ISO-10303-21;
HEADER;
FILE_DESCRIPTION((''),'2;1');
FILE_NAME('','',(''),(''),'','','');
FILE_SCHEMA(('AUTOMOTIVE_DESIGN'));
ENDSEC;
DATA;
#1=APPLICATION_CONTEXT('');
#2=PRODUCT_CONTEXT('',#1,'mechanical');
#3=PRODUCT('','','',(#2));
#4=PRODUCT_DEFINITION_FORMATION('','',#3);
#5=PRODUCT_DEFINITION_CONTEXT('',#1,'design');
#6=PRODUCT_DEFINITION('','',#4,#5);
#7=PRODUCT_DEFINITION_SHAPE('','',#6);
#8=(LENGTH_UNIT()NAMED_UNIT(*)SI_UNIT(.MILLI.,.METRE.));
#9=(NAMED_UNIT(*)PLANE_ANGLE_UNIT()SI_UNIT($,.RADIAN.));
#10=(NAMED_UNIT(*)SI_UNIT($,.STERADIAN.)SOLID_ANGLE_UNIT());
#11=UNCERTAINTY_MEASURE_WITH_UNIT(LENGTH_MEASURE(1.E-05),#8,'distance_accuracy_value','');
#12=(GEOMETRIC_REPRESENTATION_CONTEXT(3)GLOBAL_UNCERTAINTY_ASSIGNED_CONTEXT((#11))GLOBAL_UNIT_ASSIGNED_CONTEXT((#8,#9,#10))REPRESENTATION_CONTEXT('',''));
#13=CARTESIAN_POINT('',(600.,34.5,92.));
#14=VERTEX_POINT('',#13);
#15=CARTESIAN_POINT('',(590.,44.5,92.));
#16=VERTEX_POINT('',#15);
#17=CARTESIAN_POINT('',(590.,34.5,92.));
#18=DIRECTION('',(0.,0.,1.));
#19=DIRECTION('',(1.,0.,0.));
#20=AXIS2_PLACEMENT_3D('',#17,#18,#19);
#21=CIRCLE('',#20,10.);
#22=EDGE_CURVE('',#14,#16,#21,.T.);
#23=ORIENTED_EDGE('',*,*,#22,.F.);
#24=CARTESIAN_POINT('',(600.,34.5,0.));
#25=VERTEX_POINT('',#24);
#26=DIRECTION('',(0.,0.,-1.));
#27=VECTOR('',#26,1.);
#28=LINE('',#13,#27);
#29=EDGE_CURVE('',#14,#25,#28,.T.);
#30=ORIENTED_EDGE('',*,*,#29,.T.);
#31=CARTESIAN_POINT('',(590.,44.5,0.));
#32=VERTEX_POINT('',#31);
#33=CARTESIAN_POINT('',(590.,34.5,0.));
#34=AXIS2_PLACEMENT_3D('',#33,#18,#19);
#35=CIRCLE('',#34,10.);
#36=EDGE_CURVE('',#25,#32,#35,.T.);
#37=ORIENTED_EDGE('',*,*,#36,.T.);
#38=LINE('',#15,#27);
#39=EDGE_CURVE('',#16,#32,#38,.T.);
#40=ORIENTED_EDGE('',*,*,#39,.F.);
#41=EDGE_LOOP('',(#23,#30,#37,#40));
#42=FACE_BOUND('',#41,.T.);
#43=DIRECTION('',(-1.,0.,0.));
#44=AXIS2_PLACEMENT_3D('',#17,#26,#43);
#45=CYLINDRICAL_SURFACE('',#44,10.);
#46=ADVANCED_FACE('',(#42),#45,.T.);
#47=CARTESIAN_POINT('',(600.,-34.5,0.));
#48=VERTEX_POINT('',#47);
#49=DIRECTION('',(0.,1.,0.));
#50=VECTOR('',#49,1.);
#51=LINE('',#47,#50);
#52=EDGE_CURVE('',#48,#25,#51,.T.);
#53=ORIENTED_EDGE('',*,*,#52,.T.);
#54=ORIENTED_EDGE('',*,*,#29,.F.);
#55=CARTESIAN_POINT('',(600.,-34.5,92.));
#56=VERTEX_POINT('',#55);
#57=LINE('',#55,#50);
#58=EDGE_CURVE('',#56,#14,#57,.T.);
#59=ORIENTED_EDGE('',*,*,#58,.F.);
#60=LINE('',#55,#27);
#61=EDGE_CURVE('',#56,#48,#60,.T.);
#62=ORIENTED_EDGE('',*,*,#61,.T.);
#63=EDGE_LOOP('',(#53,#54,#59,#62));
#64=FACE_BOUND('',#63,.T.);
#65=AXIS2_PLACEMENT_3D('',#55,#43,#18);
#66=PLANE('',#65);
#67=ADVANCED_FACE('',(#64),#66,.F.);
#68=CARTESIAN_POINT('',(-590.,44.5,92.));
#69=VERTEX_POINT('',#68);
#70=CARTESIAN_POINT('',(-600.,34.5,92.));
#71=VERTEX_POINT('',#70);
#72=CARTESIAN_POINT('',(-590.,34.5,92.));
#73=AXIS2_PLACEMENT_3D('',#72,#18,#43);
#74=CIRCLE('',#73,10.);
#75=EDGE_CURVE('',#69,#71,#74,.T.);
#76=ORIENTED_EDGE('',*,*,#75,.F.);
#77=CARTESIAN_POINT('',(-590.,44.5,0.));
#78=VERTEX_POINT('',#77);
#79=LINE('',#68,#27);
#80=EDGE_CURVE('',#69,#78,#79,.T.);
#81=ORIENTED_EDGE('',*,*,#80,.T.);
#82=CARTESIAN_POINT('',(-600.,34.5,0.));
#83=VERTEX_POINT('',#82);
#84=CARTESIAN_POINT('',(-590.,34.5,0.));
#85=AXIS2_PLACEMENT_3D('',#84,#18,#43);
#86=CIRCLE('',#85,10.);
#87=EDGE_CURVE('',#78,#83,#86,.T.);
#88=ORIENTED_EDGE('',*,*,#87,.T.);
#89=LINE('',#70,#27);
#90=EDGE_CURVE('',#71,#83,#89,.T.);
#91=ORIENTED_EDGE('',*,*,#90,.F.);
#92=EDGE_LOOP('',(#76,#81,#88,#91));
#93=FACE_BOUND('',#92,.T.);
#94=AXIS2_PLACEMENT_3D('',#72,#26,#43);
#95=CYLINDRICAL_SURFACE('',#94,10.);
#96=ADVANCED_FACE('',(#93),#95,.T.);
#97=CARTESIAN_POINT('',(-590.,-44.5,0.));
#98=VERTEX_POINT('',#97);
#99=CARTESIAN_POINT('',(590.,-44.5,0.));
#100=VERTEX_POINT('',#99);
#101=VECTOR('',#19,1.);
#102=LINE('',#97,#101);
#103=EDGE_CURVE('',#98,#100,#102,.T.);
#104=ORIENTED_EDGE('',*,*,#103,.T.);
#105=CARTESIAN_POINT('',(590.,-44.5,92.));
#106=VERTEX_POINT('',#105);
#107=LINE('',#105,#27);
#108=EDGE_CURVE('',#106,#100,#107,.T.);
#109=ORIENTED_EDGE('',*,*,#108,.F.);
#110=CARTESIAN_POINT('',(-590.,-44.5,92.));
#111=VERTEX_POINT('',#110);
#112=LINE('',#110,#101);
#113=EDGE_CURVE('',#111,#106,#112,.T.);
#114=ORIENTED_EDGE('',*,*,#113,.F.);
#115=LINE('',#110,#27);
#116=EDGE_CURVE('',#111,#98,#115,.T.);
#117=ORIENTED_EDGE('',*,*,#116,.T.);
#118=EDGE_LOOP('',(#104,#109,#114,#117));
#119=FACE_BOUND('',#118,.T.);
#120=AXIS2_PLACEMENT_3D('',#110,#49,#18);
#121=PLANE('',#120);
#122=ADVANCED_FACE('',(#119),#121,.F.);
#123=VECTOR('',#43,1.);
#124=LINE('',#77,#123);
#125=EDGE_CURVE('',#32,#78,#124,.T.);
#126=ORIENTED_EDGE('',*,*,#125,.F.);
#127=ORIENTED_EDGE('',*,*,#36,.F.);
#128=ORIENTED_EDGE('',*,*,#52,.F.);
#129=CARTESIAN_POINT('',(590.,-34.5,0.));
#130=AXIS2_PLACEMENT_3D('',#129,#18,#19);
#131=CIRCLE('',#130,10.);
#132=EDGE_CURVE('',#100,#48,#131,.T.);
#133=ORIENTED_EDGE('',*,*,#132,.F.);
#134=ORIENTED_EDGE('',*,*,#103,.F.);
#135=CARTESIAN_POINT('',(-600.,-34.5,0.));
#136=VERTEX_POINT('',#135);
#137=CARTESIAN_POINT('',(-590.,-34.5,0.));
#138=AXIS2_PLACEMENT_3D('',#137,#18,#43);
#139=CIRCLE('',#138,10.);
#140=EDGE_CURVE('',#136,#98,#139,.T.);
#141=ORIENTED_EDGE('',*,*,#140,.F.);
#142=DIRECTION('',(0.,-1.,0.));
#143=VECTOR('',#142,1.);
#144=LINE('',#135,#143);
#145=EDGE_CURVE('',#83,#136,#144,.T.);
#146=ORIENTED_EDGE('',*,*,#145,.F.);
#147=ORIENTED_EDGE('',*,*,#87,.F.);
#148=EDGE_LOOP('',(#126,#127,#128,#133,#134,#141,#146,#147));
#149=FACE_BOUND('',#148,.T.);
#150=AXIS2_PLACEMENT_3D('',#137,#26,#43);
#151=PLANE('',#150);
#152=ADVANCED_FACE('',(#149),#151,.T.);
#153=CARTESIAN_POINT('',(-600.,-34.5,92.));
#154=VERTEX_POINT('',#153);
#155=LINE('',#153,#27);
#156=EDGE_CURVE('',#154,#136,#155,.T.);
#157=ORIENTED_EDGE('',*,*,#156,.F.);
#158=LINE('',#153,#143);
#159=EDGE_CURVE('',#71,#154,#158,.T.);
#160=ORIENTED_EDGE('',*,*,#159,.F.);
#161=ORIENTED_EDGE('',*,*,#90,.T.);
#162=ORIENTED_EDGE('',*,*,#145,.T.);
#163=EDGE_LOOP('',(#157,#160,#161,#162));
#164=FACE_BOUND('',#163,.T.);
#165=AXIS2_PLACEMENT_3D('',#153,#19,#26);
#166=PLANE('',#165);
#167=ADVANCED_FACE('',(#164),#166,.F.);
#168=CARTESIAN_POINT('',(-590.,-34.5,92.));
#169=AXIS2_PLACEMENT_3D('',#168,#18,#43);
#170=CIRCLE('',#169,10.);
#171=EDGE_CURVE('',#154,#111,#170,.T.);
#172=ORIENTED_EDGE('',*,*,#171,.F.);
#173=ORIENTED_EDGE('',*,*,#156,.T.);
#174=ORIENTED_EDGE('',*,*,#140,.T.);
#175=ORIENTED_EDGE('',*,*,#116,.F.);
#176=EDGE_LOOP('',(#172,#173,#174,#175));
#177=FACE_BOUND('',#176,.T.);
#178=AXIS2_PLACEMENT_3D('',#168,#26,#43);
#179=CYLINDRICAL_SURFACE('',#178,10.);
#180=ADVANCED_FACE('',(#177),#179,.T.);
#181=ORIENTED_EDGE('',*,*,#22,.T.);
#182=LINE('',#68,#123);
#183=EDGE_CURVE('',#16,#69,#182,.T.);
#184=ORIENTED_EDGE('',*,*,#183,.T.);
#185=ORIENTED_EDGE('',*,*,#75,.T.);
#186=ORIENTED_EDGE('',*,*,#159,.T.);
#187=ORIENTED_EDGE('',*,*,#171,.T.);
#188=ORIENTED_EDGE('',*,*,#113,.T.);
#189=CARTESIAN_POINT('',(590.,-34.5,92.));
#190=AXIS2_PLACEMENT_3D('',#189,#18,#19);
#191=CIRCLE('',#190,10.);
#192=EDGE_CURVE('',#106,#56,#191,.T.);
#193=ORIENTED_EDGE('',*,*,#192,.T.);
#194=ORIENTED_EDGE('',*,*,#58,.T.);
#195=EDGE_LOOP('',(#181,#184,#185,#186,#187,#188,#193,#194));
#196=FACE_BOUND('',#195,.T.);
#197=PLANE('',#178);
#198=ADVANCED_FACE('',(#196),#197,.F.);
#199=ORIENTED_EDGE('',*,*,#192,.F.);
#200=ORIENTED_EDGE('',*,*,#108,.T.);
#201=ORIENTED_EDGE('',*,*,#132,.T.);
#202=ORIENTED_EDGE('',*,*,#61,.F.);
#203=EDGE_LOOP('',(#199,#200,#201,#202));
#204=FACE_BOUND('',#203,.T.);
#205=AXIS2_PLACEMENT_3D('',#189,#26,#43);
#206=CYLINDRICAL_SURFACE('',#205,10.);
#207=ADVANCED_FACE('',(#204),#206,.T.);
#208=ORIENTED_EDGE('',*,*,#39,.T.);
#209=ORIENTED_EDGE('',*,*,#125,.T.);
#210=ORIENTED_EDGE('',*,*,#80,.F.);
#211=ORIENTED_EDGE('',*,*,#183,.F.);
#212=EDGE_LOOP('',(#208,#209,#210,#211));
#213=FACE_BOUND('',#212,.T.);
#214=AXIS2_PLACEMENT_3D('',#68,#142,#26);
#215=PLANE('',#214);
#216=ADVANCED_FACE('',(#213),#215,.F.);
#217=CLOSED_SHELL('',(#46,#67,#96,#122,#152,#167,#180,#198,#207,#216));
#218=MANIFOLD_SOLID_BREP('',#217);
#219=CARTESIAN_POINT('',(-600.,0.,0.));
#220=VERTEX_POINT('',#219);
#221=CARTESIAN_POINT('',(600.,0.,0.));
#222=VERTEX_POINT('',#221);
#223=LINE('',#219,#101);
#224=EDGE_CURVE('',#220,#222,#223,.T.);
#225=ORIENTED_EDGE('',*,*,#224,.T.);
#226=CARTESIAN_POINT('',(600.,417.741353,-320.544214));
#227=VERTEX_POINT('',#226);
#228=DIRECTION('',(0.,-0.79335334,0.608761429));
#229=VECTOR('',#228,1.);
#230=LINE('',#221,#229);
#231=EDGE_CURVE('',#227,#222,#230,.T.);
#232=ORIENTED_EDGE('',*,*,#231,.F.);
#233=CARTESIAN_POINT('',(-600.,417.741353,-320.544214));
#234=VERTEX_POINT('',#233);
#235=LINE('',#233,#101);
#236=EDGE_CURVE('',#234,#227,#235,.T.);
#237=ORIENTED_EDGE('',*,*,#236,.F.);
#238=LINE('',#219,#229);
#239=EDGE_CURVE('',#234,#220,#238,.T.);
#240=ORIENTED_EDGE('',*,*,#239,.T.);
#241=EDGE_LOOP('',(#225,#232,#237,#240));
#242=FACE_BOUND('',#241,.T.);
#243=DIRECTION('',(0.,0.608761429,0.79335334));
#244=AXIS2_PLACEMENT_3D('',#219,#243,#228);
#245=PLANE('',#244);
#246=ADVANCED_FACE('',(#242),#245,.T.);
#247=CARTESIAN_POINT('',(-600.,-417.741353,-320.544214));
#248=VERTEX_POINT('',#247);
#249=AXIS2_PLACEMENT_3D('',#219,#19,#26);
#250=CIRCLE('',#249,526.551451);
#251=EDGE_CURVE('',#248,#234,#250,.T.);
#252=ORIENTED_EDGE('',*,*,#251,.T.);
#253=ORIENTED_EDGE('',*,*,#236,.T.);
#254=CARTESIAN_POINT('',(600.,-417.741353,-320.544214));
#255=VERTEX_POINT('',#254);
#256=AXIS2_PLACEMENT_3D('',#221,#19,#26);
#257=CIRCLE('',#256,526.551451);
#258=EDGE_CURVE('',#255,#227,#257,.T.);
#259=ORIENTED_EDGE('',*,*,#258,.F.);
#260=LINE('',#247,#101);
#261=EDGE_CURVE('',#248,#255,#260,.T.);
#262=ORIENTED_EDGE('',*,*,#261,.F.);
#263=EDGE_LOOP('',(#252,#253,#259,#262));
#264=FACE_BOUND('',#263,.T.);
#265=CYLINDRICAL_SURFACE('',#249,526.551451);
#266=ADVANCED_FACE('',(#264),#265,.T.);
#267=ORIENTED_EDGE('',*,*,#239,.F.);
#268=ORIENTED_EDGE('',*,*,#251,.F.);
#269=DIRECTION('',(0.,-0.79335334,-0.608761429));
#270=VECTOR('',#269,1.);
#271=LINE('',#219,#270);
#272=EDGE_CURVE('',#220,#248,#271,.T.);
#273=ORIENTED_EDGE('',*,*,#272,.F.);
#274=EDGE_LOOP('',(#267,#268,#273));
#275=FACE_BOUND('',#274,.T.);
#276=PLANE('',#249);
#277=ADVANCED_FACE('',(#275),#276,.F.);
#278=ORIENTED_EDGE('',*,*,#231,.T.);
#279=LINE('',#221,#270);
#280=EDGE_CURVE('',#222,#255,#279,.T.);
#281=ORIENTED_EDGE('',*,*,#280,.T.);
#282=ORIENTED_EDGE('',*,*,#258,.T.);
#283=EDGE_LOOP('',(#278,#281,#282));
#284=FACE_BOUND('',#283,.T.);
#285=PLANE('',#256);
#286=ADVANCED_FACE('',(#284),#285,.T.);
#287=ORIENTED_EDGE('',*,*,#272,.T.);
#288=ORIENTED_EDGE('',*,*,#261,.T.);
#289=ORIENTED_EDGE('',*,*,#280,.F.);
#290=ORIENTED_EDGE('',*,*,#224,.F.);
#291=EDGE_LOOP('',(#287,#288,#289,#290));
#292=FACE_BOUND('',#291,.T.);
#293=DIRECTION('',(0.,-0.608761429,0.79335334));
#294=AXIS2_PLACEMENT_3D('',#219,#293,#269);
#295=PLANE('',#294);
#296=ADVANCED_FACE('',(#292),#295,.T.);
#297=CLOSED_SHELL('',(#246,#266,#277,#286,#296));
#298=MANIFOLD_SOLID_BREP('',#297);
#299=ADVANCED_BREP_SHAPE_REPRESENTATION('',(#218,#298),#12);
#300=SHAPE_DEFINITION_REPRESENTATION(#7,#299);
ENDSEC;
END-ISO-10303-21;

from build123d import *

# Parameters (mm, degrees)
BOSS_EXTRU_1_DEPTH = 92
BOSS_EXTRU_2_DEPTH = 1200


with BuildPart() as part:
    # Esquisse1 → Boss.-Extru.1 (new body)
    with BuildSketch(Plane.XY):
        with BuildLine():
            Line((-590, -44.5), (590, -44.5))
            ThreePointArc((590, -44.5), (597.071067812, -41.571067812), (600, -34.5))
            Line((600, -34.5), (600, 34.5))
            ThreePointArc((600, 34.5), (597.071067812, 41.571067812), (590, 44.5))
            Line((590, 44.5), (-590, 44.5))
            ThreePointArc((-590, 44.5), (-597.071067812, 41.571067812), (-600, 34.5))
            Line((-600, 34.5), (-600, -34.5))
            ThreePointArc((-600, -34.5), (-597.071067812, -41.571067812), (-590, -44.5))
        make_face()
    extrude(amount=BOSS_EXTRU_1_DEPTH)


with BuildPart() as body_2:
    # Esquisse3 → Boss.-Extru.2 (new, through all)
    with BuildSketch(Plane(origin=(600, 0, 0), x_dir=(0, 0, -1), z_dir=(1, 0, 0))):
        with BuildLine():
            Line((0, 0), (320.54421388, 417.741352646))
            ThreePointArc((320.54421388, 417.741352646), (526.551451202, 0), (320.54421388, -417.741352646))
            Line((320.54421388, -417.741352646), (0, 0))
        make_face()
    extrude(amount=-BOSS_EXTRU_2_DEPTH)


solid = Compound([part.part, body_2.part])
